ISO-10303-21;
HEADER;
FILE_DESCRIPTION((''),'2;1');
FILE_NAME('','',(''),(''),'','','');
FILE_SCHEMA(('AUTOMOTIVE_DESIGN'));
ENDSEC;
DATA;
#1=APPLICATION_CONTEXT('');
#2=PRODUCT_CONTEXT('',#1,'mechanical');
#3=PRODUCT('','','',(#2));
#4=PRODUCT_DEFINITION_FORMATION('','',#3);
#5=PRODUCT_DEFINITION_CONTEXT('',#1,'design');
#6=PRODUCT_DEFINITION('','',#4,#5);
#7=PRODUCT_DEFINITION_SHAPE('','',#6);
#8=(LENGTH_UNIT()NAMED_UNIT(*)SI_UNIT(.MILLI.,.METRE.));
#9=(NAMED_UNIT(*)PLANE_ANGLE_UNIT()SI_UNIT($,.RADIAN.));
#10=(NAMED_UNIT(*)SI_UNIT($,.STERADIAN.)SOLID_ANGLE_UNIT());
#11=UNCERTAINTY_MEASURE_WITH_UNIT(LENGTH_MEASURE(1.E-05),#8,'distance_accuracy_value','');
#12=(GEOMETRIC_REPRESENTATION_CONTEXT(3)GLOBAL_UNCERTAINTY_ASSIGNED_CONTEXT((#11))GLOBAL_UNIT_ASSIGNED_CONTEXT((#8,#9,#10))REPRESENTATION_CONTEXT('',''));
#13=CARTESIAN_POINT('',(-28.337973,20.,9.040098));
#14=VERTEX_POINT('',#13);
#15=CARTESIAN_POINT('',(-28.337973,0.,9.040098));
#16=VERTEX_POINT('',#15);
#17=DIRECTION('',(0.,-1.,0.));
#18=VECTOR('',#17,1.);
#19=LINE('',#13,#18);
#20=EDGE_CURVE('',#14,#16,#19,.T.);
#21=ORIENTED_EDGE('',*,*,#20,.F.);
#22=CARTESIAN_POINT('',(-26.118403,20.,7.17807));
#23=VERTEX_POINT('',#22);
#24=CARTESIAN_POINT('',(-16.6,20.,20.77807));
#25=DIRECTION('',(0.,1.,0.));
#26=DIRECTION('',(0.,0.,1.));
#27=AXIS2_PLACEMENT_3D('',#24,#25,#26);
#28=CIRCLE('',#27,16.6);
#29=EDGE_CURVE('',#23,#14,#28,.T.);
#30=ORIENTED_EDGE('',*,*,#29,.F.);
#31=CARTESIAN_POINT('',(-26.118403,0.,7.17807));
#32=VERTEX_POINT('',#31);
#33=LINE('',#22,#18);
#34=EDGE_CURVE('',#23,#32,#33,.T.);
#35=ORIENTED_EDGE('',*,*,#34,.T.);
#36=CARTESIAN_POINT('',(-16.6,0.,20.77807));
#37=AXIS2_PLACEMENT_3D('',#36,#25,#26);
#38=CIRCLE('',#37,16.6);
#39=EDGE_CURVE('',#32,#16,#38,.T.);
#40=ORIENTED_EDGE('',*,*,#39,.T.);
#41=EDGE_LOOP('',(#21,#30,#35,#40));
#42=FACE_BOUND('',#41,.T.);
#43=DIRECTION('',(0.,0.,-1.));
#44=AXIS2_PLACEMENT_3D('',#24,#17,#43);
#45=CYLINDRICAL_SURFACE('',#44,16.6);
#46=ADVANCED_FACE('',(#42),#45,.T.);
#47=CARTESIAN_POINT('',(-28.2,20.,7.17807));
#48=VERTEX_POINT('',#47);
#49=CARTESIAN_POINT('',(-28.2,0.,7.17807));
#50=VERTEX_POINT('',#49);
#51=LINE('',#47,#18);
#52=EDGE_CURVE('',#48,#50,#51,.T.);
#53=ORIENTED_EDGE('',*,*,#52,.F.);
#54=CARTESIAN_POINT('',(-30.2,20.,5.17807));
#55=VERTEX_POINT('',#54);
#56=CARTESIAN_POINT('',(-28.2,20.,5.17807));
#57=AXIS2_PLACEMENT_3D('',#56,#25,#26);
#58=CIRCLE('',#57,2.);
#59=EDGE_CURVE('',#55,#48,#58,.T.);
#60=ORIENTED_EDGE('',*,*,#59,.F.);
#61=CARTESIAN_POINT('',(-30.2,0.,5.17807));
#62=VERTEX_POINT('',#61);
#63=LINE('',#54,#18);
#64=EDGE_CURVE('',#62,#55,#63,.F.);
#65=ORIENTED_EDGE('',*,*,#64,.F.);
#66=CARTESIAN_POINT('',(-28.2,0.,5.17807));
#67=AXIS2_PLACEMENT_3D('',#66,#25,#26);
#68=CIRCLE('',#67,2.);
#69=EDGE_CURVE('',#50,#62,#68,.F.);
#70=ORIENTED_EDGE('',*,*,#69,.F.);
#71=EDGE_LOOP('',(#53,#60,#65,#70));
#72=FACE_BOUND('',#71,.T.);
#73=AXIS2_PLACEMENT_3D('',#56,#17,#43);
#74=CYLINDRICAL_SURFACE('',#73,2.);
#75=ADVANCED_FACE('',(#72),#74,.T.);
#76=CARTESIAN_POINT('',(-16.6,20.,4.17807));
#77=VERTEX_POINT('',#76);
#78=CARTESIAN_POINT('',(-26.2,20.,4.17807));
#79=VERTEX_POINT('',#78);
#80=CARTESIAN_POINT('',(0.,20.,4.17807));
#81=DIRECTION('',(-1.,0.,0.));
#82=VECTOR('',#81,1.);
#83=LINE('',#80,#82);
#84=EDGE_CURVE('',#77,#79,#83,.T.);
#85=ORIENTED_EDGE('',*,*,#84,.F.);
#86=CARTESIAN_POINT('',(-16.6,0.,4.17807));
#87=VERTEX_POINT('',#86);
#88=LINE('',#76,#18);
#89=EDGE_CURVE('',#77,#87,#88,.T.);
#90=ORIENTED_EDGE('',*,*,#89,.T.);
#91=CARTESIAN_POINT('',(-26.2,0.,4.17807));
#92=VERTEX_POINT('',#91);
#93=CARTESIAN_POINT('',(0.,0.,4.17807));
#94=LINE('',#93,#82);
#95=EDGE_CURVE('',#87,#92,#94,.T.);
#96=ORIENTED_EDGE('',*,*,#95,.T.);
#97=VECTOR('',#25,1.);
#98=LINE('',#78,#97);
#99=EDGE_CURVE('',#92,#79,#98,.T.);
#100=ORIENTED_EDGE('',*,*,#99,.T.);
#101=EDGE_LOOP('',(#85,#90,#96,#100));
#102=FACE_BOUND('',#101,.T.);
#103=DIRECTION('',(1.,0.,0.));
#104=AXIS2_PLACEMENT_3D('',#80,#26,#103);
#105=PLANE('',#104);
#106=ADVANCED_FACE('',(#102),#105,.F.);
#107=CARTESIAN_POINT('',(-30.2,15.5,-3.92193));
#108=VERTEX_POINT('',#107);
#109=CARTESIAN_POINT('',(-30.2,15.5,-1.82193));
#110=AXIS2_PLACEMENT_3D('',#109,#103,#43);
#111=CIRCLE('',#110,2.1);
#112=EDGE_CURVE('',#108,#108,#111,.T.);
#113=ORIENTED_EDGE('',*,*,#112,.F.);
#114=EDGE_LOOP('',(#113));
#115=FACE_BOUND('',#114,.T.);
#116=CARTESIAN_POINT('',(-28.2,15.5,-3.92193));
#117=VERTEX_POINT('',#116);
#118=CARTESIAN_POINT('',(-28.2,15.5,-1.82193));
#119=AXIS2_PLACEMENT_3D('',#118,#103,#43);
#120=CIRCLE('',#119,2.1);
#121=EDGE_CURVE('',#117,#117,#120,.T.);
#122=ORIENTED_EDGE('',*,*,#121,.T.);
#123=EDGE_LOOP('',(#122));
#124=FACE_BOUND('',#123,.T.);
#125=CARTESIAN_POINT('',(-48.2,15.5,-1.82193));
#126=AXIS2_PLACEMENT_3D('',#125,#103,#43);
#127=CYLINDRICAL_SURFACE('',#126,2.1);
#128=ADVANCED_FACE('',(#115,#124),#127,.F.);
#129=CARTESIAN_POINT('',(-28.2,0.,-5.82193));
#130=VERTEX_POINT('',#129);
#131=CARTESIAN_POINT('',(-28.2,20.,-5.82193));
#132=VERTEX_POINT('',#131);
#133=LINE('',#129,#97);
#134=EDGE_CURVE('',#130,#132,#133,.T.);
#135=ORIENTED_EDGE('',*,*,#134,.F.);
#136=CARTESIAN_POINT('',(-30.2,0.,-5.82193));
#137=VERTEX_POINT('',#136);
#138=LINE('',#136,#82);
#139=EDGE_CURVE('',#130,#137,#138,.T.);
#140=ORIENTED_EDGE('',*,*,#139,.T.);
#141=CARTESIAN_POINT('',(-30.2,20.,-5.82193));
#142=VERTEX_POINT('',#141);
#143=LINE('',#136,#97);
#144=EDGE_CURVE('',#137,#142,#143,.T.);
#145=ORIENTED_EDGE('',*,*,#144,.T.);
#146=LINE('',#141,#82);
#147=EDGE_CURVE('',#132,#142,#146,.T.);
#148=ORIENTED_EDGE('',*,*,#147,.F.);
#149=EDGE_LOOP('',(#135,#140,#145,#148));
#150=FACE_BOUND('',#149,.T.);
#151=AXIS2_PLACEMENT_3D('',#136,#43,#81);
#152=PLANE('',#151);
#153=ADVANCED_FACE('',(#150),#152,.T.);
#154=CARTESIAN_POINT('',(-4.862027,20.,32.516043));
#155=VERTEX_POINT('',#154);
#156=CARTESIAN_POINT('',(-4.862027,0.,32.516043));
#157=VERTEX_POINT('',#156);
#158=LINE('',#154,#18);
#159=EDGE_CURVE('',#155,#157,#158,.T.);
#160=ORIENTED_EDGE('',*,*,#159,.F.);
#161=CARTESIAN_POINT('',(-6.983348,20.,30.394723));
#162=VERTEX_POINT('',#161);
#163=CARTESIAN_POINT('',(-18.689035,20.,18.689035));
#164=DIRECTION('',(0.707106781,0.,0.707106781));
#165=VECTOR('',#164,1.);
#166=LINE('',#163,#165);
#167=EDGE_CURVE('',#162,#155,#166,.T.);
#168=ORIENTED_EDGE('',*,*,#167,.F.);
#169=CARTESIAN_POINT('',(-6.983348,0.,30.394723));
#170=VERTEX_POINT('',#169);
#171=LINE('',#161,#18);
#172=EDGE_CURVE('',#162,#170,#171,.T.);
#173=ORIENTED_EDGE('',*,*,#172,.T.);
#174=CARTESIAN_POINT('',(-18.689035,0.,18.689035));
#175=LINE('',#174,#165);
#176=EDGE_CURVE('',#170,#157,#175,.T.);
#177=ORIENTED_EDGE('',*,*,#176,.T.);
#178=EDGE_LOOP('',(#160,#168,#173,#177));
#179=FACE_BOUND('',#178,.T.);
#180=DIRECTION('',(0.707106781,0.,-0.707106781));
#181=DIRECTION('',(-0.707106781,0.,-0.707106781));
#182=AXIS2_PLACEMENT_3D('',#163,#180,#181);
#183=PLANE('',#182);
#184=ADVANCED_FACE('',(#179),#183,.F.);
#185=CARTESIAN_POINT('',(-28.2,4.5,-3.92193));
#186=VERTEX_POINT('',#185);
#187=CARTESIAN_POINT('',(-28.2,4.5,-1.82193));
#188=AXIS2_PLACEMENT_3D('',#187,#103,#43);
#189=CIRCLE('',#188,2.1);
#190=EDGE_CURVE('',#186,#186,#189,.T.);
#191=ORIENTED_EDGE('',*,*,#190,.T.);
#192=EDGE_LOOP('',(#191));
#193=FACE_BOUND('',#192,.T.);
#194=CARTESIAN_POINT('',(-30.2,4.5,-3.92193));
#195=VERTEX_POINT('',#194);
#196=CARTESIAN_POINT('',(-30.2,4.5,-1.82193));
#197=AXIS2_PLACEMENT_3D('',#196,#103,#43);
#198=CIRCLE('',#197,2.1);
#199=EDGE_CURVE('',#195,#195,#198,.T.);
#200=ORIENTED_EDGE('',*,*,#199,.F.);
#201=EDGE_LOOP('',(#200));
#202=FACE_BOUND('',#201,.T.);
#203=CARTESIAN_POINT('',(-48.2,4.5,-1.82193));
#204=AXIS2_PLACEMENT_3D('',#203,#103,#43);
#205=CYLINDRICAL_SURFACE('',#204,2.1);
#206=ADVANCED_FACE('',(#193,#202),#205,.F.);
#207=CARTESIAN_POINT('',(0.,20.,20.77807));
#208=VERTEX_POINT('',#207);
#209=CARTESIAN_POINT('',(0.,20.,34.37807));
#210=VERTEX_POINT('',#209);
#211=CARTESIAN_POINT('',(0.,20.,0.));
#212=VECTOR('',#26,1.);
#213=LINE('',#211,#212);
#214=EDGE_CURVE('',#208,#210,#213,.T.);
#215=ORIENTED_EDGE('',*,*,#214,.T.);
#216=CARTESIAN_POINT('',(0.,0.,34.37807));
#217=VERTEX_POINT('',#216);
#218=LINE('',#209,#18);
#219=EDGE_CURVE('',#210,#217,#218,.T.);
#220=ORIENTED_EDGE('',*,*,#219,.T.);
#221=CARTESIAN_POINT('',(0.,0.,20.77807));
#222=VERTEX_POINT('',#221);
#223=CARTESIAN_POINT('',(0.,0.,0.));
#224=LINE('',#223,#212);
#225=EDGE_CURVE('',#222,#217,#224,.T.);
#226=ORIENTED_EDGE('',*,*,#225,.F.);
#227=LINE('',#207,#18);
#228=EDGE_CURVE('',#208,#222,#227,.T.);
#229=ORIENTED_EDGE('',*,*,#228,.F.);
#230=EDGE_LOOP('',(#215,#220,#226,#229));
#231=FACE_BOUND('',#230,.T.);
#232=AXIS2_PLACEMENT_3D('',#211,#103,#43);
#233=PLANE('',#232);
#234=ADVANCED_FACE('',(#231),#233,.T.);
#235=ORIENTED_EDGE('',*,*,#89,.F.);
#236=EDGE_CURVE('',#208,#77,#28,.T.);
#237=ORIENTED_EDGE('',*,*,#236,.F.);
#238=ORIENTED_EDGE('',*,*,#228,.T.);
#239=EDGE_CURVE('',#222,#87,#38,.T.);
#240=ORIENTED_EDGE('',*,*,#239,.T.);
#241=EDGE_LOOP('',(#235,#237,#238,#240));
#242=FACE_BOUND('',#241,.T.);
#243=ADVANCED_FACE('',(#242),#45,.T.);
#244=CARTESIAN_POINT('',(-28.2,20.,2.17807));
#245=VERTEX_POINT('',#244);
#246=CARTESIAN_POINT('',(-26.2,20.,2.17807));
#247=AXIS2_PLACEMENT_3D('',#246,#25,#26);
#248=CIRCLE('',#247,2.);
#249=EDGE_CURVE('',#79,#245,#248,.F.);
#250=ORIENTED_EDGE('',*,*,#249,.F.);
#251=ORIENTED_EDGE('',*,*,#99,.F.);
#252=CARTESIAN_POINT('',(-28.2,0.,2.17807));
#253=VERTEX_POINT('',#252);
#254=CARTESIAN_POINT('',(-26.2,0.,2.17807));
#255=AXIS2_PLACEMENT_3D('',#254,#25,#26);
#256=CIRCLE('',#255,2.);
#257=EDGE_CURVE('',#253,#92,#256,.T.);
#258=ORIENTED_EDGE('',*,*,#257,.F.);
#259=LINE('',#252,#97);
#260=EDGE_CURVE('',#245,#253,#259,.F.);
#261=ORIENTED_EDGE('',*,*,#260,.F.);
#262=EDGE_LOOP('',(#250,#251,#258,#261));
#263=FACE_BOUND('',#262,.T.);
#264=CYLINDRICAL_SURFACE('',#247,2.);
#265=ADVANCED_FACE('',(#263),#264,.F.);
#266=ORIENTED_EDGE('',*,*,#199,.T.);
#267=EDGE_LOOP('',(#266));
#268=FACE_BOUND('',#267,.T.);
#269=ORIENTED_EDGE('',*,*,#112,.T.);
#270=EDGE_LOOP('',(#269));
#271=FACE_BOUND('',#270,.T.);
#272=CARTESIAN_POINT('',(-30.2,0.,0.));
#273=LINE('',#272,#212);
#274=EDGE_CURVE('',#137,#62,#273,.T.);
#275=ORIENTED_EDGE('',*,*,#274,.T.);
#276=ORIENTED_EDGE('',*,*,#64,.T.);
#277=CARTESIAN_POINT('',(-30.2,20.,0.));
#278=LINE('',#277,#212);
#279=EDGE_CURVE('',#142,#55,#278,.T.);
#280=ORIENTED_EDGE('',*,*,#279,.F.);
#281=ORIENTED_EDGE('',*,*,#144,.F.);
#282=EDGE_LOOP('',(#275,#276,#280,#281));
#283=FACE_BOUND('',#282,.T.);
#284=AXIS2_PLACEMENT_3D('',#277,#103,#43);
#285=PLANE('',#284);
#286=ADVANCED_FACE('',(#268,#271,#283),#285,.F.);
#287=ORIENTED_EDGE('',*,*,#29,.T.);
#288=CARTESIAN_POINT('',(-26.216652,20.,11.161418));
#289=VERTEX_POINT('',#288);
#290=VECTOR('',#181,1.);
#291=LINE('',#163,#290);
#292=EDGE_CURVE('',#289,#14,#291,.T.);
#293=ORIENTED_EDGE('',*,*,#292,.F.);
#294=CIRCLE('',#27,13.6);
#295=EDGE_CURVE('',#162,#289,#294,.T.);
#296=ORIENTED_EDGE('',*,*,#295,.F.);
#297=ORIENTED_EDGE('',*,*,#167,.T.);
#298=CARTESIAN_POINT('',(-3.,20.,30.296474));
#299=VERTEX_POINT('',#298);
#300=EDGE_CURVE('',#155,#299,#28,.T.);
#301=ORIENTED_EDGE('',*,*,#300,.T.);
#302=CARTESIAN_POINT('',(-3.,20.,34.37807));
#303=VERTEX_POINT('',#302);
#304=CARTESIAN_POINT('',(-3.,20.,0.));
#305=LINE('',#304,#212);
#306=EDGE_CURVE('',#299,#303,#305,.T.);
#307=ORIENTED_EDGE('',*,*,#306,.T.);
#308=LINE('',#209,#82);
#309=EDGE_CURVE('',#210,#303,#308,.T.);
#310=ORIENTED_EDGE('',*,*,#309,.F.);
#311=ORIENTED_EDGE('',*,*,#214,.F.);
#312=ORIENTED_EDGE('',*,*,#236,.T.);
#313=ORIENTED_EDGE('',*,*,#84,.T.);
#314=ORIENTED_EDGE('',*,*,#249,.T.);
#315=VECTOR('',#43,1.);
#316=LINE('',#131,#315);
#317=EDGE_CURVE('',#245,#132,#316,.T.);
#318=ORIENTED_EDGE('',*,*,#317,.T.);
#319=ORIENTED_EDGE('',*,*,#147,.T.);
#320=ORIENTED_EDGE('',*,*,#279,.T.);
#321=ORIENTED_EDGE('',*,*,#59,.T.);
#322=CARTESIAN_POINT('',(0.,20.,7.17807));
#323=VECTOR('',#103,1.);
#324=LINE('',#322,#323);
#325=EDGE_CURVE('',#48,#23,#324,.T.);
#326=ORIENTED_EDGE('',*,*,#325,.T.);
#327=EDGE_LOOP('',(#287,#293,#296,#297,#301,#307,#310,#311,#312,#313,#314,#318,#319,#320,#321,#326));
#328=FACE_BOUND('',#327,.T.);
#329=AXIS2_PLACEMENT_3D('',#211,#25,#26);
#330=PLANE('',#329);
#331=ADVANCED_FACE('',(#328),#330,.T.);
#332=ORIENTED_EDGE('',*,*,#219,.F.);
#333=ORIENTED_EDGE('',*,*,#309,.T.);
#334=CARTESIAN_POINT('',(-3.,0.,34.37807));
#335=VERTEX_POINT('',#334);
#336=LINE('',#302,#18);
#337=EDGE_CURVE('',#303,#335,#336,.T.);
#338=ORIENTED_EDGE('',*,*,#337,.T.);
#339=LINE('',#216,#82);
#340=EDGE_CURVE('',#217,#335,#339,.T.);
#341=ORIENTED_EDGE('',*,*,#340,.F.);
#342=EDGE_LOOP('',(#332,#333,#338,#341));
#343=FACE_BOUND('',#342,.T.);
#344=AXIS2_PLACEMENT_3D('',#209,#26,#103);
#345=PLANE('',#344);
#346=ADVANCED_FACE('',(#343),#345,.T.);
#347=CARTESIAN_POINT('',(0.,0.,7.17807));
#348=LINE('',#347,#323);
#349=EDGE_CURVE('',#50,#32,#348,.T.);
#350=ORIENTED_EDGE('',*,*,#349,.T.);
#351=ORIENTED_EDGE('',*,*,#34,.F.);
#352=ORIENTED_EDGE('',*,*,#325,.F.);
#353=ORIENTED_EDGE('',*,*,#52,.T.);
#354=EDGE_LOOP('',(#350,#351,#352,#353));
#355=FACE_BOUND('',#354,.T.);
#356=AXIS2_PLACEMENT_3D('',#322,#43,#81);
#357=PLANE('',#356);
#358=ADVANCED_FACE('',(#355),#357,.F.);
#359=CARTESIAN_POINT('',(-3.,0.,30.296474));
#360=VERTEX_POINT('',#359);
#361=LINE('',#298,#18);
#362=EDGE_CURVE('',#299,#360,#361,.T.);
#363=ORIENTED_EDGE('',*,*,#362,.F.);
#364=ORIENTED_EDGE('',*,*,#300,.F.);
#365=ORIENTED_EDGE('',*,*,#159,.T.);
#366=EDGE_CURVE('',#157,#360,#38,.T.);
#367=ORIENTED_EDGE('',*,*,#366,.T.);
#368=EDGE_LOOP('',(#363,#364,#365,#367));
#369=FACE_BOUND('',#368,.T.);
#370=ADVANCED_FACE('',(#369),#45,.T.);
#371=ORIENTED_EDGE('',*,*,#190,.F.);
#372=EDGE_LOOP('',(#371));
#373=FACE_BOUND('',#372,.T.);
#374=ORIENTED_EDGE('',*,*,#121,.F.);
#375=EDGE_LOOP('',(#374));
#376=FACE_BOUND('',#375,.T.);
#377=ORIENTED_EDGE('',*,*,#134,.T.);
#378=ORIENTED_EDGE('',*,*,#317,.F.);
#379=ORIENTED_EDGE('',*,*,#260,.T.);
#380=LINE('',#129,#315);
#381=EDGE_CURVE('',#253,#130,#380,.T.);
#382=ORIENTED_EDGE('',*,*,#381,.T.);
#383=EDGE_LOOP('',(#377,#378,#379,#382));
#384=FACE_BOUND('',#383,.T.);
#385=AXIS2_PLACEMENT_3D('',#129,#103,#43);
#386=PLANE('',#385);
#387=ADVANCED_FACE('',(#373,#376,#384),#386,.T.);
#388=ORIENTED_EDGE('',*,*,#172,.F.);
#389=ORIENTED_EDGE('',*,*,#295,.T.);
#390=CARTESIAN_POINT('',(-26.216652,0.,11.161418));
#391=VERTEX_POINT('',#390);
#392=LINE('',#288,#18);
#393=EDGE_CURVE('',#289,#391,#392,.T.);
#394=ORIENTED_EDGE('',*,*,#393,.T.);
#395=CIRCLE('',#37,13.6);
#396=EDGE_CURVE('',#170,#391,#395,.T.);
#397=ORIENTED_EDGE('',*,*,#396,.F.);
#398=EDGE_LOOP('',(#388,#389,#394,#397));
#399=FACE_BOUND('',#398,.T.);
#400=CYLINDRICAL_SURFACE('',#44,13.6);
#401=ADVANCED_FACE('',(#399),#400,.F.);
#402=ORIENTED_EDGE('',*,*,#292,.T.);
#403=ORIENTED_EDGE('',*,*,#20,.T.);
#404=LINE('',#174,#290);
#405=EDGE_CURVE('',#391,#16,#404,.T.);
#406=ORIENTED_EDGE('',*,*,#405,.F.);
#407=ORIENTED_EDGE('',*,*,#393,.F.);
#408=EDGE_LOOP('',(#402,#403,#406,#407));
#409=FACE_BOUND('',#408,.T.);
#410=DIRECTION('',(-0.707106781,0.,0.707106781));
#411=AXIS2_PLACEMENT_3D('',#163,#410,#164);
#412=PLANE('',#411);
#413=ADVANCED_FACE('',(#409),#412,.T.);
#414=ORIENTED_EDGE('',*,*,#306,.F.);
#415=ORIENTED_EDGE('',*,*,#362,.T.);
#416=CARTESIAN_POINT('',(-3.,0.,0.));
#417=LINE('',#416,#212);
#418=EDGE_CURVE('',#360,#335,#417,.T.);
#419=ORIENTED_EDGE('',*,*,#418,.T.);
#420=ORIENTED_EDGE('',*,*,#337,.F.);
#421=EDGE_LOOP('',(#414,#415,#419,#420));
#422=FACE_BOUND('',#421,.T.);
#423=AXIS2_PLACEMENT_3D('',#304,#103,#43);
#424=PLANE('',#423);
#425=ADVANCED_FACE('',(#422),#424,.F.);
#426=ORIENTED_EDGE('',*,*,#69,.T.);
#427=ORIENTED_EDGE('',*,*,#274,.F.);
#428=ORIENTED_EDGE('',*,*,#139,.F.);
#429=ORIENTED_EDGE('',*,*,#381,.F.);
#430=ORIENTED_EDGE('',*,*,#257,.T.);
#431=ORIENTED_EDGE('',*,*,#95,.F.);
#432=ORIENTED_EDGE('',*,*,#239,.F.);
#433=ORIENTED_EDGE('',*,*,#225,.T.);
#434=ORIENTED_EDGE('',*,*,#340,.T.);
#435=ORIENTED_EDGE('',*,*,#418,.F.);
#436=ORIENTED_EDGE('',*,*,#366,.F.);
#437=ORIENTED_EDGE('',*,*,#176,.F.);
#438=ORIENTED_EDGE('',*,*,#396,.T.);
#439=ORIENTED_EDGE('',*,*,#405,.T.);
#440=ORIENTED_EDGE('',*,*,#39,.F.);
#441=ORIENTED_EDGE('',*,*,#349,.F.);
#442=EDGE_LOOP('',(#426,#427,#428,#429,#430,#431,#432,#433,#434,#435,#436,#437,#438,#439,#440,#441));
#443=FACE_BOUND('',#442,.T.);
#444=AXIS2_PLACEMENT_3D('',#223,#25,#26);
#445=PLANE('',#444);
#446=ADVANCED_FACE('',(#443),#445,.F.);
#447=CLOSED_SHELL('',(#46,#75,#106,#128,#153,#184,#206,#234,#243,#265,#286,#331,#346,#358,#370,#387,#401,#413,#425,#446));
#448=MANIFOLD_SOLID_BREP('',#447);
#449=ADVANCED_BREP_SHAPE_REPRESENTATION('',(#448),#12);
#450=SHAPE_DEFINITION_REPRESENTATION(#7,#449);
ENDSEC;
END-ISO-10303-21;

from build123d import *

# Parameters (mm, degrees)
EXTRUDE_2_DEPTH     = 20
SKETCH_2_W          = 2
SKETCH_2_H          = 10
EXTRUDE_3_DEPTH     = 20
FILLET_1_R          = 2
SKETCH_3_R          = 2.1
CUT_EXTRUDE_1_DEPTH = 20
FILLET_2_R          = 2


with BuildPart() as part:
    # 草图1 → 凸台-拉伸2 (new body)
    with BuildSketch(Plane(origin=(0, 0, 0), x_dir=(1, 0, 0), z_dir=(0, 1, 0))):
        with BuildLine():
            ThreePointArc((0, -20.77807044), (-4.862027432, -9.040097872), (-16.6, -4.17807044))
            Line((-16.6, -4.17807044), (-30.2, -4.17807044))
            Line((-30.2, -4.17807044), (-30.2, -7.17807044))
            Line((-30.2, -7.17807044), (-26.118403227, -7.17807044))
            ThreePointArc((-26.118403227, -7.17807044), (-27.268887689, -8.060569291), (-28.337972568, -9.040097872))
            Line((-28.337972568, -9.040097872), (-26.216652224, -11.161418216))
            ThreePointArc((-26.216652224, -11.161418216), (-25.340775456, -10.358912872), (-24.398209873, -9.635901765))
            ThreePointArc((-24.398209873, -9.635901765), (-20.688184562, -7.807074064), (-16.6, -7.17807044))
            ThreePointArc((-16.6, -7.17807044), (-6.983347776, -11.161418216), (-3, -20.77807044))
            ThreePointArc((-3, -20.77807044), (-3.629003624, -24.866255002), (-5.457831325, -28.576280313))
            ThreePointArc((-5.457831325, -28.576280313), (-6.180842432, -29.518845896), (-6.983347776, -30.394722664))
            Line((-6.983347776, -30.394722664), (-4.862027432, -32.516043007))
            ThreePointArc((-4.862027432, -32.516043007), (-3.882498851, -31.446958129), (-3, -30.296473667))
            Line((-3, -30.296473667), (-3, -34.37807044))
            Line((-3, -34.37807044), (0, -34.37807044))
            Line((0, -34.37807044), (0, -20.77807044))
        make_face()
    extrude(amount=EXTRUDE_2_DEPTH)

    # 草图2 → 凸台-拉伸3 (add)
    with BuildSketch(Plane(origin=(0, 20, 0), x_dir=(1, 0, 0), z_dir=(0, 1, 0))):
        with Locations((-29.2, 0.82192956)):
            Rectangle(SKETCH_2_W, SKETCH_2_H)
    extrude(amount=-EXTRUDE_3_DEPTH)

    # 圆角1
    fillet_1_edges = [part.edges().sort_by_distance(p)[0] for p in [
        (-28.2, 10, 4.17807044),
    ]]
    fillet(fillet_1_edges, radius=FILLET_1_R)

    # 草图3 → 切除-拉伸1 (cut)
    with BuildSketch(Plane(origin=(-28.2, 0, 0), x_dir=(0, 0, -1), z_dir=(1, 0, 0))):
        with Locations((1.82192956, 15.5)):
            Circle(SKETCH_3_R)
        with Locations((1.82192956, 4.5)):
            Circle(SKETCH_3_R)
    extrude(amount=-CUT_EXTRUDE_1_DEPTH, mode=Mode.SUBTRACT)

    # 圆角2
    fillet_2_edges = [part.edges().sort_by_distance(p)[0] for p in [
        (-30.2, 10, 7.17807044),
    ]]
    fillet(fillet_2_edges, radius=FILLET_2_R)


solid = part.part
